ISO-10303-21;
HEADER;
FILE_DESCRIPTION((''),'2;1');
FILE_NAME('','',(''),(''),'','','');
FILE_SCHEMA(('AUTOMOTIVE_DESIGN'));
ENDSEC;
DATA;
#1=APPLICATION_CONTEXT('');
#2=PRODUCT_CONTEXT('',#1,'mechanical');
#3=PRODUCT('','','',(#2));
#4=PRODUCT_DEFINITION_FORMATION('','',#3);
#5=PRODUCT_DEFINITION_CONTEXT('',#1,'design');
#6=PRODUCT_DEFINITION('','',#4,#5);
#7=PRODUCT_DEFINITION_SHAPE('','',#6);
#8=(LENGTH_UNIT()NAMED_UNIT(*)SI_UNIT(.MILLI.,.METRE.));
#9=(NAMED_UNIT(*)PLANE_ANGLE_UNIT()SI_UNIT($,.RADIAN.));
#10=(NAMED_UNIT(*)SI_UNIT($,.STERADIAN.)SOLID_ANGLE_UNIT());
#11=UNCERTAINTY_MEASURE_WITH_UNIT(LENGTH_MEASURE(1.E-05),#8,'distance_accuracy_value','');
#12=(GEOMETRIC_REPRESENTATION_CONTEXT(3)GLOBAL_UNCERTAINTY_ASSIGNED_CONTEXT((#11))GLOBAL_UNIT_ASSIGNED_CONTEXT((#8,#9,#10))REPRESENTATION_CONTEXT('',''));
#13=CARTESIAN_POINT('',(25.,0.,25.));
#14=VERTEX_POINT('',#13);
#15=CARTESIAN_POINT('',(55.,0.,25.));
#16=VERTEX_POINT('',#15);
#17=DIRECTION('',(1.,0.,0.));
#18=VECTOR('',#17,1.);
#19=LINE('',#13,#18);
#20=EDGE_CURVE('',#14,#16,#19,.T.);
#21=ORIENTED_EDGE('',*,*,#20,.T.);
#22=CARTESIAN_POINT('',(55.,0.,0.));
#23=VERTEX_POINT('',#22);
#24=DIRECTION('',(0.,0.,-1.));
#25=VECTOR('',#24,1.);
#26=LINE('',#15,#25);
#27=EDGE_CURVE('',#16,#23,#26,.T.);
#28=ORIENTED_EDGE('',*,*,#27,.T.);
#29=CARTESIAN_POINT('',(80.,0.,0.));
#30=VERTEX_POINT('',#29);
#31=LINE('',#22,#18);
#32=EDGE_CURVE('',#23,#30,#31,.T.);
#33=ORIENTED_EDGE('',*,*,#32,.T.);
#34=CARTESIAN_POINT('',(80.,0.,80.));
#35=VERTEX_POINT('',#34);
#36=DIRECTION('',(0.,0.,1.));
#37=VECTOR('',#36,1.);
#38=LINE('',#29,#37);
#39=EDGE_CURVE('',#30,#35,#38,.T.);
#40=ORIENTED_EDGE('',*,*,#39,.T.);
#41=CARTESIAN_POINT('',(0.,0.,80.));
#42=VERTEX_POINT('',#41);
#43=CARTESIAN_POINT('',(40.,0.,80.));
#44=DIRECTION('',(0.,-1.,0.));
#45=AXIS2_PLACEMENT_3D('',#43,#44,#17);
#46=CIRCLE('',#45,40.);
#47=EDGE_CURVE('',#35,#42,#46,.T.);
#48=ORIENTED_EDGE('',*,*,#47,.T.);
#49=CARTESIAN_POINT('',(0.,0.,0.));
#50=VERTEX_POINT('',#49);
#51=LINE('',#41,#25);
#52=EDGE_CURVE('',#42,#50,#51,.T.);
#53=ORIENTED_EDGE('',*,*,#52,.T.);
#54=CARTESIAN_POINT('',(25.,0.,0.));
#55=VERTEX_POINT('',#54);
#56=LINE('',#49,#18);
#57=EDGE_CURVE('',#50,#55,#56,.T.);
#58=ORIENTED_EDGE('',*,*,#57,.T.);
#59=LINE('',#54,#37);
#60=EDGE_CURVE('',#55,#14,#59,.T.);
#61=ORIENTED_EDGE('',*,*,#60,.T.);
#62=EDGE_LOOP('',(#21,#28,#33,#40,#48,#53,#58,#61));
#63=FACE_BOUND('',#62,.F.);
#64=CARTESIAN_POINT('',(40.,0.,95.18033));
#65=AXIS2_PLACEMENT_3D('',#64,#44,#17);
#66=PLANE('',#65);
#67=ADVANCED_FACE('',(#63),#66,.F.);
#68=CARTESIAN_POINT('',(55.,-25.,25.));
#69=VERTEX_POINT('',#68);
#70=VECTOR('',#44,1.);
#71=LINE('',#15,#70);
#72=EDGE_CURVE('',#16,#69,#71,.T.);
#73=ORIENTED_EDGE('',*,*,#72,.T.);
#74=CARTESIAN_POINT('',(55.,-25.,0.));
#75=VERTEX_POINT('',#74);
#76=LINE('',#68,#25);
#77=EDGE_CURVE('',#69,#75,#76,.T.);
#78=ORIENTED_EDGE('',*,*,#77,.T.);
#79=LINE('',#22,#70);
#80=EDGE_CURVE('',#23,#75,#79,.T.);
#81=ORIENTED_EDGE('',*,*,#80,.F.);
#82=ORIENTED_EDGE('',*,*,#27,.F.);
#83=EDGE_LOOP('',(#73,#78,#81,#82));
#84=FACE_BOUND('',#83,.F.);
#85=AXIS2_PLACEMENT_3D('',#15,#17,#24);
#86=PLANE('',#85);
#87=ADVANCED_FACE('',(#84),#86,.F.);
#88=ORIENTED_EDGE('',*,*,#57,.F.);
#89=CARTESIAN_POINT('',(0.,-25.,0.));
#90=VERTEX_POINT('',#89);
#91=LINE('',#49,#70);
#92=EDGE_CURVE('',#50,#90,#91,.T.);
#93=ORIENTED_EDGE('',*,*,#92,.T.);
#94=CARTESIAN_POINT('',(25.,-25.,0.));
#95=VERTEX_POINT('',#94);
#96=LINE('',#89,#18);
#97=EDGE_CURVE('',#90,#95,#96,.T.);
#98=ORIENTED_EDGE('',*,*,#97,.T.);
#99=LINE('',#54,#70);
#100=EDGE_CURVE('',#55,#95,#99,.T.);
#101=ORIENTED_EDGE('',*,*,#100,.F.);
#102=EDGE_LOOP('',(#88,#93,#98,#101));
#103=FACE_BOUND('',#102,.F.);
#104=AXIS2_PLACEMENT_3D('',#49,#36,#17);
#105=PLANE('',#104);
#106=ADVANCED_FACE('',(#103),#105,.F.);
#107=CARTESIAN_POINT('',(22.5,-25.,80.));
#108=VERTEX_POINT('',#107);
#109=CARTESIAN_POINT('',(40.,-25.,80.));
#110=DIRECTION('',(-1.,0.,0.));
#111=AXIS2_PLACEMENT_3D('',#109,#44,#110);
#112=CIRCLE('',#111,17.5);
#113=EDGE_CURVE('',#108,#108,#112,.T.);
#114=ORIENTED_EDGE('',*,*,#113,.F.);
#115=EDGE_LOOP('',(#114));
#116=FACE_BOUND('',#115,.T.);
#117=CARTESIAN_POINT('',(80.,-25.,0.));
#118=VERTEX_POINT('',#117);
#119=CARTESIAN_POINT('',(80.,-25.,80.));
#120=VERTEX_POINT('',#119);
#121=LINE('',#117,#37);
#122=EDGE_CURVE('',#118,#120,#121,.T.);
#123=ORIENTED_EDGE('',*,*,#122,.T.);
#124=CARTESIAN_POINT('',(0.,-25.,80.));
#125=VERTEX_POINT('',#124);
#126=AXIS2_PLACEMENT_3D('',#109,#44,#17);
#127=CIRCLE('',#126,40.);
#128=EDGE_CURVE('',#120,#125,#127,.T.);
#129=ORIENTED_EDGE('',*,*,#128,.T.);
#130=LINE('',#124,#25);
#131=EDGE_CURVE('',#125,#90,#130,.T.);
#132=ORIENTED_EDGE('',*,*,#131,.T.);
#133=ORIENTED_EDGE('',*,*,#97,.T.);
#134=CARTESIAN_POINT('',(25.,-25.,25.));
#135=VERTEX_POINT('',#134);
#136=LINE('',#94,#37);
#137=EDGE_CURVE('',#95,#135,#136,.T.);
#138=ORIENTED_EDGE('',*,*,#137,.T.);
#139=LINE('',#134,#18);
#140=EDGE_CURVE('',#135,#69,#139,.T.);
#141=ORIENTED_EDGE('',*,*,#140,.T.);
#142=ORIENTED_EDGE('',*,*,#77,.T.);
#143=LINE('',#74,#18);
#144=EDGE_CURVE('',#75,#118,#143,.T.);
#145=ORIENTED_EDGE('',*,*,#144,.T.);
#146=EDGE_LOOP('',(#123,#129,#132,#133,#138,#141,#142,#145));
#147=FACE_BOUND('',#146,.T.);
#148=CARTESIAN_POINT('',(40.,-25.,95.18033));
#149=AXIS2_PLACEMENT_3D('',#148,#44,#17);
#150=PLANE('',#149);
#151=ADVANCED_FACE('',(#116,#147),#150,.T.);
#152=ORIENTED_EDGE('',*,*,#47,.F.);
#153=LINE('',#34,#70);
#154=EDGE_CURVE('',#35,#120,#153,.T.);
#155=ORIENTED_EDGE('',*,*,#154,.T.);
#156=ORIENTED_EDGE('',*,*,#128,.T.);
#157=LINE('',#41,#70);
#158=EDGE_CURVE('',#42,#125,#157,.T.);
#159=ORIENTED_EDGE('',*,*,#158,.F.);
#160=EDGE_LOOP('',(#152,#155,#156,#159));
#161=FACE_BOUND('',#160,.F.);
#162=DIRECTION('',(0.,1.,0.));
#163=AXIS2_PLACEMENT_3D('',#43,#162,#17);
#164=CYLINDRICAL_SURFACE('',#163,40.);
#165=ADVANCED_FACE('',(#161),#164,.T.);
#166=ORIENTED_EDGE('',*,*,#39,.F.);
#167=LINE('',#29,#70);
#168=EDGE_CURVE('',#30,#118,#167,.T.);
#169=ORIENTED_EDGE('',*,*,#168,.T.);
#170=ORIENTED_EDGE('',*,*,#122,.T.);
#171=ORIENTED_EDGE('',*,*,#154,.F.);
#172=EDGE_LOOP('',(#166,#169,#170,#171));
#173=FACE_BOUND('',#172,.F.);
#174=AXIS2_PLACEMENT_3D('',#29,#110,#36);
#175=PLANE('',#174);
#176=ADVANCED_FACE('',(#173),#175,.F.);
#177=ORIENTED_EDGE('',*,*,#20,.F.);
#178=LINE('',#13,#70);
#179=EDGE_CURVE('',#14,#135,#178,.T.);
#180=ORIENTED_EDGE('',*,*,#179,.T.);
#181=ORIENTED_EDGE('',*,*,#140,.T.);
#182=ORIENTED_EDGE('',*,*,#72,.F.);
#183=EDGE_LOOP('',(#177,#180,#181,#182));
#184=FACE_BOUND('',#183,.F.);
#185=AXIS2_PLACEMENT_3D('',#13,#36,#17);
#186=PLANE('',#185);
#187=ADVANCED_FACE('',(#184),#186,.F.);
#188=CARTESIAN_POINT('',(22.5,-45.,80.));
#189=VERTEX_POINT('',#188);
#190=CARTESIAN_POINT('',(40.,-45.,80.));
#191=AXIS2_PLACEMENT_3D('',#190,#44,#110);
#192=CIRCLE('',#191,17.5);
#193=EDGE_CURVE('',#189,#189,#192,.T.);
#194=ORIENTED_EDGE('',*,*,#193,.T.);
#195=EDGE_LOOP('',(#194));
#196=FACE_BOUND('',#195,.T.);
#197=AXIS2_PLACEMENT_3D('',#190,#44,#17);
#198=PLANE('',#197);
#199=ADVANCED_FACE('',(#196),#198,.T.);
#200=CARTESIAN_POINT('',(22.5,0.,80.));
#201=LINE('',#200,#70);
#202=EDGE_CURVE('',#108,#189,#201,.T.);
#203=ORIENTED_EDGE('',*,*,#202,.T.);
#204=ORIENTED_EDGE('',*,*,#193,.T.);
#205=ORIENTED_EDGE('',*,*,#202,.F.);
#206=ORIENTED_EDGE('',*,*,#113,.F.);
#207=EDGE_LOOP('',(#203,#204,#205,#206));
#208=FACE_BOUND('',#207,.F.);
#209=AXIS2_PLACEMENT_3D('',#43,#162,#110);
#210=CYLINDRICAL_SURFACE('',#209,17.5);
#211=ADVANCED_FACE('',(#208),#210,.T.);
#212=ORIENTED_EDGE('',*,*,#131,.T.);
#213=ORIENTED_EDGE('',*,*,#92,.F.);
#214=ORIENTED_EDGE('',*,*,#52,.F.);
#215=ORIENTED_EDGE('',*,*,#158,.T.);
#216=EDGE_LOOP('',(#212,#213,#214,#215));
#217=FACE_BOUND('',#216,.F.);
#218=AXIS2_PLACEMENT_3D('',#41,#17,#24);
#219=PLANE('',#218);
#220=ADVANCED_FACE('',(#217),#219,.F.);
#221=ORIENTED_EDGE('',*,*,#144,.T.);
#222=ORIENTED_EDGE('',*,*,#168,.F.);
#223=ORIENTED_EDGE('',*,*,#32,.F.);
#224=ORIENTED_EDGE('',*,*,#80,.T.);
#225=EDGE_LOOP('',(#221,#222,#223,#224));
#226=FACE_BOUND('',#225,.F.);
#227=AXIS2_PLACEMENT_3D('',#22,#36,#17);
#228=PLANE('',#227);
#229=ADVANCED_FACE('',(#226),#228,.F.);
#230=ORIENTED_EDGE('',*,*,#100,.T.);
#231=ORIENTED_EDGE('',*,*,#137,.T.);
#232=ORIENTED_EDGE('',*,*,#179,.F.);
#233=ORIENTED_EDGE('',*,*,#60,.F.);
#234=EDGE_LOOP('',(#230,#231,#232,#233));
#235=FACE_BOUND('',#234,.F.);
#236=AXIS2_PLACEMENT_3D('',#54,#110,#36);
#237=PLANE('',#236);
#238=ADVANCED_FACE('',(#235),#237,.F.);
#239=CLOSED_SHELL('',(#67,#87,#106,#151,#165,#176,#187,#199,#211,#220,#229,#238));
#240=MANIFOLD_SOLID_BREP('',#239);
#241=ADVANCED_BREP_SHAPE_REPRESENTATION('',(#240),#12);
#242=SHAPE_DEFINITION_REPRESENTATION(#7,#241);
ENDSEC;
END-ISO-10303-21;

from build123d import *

# Parameters (mm, degrees)
F1_DEPTH = 25
F2_DEPTH = 45


with BuildPart() as f1:
    # F0 (on Front) → F1 (new body)
    with BuildSketch(Plane.XZ):
        with BuildLine():
            ThreePointArc((80, 80), (40, 120), (0, 80))
            Line((0, 80), (22.5, 80))
            ThreePointArc((22.5, 80), (40, 97.5), (57.5, 80))
            Line((57.5, 80), (80, 80))
        make_face()
        with BuildLine():
            Line((22.5, 80), (0, 80))
            Line((0, 80), (0, 0))
            Line((0, 0), (25, 0))
            Line((25, 0), (25, 25))
            Line((25, 25), (55, 25))
            Line((55, 25), (55, 0))
            Line((55, 0), (80, 0))
            Line((80, 0), (80, 80))
            Line((80, 80), (57.5, 80))
            ThreePointArc((57.5, 80), (40, 62.5), (22.5, 80))
        make_face()
    extrude(amount=F1_DEPTH)

    # F0 (on Front) → F2 (join)
    with BuildSketch(Plane.XZ):
        with BuildLine():
            ThreePointArc((57.5, 80), (40, 97.5), (22.5, 80))
            ThreePointArc((22.5, 80), (40, 62.5), (57.5, 80))
        make_face()
    extrude(amount=F2_DEPTH)


solid = f1.part
